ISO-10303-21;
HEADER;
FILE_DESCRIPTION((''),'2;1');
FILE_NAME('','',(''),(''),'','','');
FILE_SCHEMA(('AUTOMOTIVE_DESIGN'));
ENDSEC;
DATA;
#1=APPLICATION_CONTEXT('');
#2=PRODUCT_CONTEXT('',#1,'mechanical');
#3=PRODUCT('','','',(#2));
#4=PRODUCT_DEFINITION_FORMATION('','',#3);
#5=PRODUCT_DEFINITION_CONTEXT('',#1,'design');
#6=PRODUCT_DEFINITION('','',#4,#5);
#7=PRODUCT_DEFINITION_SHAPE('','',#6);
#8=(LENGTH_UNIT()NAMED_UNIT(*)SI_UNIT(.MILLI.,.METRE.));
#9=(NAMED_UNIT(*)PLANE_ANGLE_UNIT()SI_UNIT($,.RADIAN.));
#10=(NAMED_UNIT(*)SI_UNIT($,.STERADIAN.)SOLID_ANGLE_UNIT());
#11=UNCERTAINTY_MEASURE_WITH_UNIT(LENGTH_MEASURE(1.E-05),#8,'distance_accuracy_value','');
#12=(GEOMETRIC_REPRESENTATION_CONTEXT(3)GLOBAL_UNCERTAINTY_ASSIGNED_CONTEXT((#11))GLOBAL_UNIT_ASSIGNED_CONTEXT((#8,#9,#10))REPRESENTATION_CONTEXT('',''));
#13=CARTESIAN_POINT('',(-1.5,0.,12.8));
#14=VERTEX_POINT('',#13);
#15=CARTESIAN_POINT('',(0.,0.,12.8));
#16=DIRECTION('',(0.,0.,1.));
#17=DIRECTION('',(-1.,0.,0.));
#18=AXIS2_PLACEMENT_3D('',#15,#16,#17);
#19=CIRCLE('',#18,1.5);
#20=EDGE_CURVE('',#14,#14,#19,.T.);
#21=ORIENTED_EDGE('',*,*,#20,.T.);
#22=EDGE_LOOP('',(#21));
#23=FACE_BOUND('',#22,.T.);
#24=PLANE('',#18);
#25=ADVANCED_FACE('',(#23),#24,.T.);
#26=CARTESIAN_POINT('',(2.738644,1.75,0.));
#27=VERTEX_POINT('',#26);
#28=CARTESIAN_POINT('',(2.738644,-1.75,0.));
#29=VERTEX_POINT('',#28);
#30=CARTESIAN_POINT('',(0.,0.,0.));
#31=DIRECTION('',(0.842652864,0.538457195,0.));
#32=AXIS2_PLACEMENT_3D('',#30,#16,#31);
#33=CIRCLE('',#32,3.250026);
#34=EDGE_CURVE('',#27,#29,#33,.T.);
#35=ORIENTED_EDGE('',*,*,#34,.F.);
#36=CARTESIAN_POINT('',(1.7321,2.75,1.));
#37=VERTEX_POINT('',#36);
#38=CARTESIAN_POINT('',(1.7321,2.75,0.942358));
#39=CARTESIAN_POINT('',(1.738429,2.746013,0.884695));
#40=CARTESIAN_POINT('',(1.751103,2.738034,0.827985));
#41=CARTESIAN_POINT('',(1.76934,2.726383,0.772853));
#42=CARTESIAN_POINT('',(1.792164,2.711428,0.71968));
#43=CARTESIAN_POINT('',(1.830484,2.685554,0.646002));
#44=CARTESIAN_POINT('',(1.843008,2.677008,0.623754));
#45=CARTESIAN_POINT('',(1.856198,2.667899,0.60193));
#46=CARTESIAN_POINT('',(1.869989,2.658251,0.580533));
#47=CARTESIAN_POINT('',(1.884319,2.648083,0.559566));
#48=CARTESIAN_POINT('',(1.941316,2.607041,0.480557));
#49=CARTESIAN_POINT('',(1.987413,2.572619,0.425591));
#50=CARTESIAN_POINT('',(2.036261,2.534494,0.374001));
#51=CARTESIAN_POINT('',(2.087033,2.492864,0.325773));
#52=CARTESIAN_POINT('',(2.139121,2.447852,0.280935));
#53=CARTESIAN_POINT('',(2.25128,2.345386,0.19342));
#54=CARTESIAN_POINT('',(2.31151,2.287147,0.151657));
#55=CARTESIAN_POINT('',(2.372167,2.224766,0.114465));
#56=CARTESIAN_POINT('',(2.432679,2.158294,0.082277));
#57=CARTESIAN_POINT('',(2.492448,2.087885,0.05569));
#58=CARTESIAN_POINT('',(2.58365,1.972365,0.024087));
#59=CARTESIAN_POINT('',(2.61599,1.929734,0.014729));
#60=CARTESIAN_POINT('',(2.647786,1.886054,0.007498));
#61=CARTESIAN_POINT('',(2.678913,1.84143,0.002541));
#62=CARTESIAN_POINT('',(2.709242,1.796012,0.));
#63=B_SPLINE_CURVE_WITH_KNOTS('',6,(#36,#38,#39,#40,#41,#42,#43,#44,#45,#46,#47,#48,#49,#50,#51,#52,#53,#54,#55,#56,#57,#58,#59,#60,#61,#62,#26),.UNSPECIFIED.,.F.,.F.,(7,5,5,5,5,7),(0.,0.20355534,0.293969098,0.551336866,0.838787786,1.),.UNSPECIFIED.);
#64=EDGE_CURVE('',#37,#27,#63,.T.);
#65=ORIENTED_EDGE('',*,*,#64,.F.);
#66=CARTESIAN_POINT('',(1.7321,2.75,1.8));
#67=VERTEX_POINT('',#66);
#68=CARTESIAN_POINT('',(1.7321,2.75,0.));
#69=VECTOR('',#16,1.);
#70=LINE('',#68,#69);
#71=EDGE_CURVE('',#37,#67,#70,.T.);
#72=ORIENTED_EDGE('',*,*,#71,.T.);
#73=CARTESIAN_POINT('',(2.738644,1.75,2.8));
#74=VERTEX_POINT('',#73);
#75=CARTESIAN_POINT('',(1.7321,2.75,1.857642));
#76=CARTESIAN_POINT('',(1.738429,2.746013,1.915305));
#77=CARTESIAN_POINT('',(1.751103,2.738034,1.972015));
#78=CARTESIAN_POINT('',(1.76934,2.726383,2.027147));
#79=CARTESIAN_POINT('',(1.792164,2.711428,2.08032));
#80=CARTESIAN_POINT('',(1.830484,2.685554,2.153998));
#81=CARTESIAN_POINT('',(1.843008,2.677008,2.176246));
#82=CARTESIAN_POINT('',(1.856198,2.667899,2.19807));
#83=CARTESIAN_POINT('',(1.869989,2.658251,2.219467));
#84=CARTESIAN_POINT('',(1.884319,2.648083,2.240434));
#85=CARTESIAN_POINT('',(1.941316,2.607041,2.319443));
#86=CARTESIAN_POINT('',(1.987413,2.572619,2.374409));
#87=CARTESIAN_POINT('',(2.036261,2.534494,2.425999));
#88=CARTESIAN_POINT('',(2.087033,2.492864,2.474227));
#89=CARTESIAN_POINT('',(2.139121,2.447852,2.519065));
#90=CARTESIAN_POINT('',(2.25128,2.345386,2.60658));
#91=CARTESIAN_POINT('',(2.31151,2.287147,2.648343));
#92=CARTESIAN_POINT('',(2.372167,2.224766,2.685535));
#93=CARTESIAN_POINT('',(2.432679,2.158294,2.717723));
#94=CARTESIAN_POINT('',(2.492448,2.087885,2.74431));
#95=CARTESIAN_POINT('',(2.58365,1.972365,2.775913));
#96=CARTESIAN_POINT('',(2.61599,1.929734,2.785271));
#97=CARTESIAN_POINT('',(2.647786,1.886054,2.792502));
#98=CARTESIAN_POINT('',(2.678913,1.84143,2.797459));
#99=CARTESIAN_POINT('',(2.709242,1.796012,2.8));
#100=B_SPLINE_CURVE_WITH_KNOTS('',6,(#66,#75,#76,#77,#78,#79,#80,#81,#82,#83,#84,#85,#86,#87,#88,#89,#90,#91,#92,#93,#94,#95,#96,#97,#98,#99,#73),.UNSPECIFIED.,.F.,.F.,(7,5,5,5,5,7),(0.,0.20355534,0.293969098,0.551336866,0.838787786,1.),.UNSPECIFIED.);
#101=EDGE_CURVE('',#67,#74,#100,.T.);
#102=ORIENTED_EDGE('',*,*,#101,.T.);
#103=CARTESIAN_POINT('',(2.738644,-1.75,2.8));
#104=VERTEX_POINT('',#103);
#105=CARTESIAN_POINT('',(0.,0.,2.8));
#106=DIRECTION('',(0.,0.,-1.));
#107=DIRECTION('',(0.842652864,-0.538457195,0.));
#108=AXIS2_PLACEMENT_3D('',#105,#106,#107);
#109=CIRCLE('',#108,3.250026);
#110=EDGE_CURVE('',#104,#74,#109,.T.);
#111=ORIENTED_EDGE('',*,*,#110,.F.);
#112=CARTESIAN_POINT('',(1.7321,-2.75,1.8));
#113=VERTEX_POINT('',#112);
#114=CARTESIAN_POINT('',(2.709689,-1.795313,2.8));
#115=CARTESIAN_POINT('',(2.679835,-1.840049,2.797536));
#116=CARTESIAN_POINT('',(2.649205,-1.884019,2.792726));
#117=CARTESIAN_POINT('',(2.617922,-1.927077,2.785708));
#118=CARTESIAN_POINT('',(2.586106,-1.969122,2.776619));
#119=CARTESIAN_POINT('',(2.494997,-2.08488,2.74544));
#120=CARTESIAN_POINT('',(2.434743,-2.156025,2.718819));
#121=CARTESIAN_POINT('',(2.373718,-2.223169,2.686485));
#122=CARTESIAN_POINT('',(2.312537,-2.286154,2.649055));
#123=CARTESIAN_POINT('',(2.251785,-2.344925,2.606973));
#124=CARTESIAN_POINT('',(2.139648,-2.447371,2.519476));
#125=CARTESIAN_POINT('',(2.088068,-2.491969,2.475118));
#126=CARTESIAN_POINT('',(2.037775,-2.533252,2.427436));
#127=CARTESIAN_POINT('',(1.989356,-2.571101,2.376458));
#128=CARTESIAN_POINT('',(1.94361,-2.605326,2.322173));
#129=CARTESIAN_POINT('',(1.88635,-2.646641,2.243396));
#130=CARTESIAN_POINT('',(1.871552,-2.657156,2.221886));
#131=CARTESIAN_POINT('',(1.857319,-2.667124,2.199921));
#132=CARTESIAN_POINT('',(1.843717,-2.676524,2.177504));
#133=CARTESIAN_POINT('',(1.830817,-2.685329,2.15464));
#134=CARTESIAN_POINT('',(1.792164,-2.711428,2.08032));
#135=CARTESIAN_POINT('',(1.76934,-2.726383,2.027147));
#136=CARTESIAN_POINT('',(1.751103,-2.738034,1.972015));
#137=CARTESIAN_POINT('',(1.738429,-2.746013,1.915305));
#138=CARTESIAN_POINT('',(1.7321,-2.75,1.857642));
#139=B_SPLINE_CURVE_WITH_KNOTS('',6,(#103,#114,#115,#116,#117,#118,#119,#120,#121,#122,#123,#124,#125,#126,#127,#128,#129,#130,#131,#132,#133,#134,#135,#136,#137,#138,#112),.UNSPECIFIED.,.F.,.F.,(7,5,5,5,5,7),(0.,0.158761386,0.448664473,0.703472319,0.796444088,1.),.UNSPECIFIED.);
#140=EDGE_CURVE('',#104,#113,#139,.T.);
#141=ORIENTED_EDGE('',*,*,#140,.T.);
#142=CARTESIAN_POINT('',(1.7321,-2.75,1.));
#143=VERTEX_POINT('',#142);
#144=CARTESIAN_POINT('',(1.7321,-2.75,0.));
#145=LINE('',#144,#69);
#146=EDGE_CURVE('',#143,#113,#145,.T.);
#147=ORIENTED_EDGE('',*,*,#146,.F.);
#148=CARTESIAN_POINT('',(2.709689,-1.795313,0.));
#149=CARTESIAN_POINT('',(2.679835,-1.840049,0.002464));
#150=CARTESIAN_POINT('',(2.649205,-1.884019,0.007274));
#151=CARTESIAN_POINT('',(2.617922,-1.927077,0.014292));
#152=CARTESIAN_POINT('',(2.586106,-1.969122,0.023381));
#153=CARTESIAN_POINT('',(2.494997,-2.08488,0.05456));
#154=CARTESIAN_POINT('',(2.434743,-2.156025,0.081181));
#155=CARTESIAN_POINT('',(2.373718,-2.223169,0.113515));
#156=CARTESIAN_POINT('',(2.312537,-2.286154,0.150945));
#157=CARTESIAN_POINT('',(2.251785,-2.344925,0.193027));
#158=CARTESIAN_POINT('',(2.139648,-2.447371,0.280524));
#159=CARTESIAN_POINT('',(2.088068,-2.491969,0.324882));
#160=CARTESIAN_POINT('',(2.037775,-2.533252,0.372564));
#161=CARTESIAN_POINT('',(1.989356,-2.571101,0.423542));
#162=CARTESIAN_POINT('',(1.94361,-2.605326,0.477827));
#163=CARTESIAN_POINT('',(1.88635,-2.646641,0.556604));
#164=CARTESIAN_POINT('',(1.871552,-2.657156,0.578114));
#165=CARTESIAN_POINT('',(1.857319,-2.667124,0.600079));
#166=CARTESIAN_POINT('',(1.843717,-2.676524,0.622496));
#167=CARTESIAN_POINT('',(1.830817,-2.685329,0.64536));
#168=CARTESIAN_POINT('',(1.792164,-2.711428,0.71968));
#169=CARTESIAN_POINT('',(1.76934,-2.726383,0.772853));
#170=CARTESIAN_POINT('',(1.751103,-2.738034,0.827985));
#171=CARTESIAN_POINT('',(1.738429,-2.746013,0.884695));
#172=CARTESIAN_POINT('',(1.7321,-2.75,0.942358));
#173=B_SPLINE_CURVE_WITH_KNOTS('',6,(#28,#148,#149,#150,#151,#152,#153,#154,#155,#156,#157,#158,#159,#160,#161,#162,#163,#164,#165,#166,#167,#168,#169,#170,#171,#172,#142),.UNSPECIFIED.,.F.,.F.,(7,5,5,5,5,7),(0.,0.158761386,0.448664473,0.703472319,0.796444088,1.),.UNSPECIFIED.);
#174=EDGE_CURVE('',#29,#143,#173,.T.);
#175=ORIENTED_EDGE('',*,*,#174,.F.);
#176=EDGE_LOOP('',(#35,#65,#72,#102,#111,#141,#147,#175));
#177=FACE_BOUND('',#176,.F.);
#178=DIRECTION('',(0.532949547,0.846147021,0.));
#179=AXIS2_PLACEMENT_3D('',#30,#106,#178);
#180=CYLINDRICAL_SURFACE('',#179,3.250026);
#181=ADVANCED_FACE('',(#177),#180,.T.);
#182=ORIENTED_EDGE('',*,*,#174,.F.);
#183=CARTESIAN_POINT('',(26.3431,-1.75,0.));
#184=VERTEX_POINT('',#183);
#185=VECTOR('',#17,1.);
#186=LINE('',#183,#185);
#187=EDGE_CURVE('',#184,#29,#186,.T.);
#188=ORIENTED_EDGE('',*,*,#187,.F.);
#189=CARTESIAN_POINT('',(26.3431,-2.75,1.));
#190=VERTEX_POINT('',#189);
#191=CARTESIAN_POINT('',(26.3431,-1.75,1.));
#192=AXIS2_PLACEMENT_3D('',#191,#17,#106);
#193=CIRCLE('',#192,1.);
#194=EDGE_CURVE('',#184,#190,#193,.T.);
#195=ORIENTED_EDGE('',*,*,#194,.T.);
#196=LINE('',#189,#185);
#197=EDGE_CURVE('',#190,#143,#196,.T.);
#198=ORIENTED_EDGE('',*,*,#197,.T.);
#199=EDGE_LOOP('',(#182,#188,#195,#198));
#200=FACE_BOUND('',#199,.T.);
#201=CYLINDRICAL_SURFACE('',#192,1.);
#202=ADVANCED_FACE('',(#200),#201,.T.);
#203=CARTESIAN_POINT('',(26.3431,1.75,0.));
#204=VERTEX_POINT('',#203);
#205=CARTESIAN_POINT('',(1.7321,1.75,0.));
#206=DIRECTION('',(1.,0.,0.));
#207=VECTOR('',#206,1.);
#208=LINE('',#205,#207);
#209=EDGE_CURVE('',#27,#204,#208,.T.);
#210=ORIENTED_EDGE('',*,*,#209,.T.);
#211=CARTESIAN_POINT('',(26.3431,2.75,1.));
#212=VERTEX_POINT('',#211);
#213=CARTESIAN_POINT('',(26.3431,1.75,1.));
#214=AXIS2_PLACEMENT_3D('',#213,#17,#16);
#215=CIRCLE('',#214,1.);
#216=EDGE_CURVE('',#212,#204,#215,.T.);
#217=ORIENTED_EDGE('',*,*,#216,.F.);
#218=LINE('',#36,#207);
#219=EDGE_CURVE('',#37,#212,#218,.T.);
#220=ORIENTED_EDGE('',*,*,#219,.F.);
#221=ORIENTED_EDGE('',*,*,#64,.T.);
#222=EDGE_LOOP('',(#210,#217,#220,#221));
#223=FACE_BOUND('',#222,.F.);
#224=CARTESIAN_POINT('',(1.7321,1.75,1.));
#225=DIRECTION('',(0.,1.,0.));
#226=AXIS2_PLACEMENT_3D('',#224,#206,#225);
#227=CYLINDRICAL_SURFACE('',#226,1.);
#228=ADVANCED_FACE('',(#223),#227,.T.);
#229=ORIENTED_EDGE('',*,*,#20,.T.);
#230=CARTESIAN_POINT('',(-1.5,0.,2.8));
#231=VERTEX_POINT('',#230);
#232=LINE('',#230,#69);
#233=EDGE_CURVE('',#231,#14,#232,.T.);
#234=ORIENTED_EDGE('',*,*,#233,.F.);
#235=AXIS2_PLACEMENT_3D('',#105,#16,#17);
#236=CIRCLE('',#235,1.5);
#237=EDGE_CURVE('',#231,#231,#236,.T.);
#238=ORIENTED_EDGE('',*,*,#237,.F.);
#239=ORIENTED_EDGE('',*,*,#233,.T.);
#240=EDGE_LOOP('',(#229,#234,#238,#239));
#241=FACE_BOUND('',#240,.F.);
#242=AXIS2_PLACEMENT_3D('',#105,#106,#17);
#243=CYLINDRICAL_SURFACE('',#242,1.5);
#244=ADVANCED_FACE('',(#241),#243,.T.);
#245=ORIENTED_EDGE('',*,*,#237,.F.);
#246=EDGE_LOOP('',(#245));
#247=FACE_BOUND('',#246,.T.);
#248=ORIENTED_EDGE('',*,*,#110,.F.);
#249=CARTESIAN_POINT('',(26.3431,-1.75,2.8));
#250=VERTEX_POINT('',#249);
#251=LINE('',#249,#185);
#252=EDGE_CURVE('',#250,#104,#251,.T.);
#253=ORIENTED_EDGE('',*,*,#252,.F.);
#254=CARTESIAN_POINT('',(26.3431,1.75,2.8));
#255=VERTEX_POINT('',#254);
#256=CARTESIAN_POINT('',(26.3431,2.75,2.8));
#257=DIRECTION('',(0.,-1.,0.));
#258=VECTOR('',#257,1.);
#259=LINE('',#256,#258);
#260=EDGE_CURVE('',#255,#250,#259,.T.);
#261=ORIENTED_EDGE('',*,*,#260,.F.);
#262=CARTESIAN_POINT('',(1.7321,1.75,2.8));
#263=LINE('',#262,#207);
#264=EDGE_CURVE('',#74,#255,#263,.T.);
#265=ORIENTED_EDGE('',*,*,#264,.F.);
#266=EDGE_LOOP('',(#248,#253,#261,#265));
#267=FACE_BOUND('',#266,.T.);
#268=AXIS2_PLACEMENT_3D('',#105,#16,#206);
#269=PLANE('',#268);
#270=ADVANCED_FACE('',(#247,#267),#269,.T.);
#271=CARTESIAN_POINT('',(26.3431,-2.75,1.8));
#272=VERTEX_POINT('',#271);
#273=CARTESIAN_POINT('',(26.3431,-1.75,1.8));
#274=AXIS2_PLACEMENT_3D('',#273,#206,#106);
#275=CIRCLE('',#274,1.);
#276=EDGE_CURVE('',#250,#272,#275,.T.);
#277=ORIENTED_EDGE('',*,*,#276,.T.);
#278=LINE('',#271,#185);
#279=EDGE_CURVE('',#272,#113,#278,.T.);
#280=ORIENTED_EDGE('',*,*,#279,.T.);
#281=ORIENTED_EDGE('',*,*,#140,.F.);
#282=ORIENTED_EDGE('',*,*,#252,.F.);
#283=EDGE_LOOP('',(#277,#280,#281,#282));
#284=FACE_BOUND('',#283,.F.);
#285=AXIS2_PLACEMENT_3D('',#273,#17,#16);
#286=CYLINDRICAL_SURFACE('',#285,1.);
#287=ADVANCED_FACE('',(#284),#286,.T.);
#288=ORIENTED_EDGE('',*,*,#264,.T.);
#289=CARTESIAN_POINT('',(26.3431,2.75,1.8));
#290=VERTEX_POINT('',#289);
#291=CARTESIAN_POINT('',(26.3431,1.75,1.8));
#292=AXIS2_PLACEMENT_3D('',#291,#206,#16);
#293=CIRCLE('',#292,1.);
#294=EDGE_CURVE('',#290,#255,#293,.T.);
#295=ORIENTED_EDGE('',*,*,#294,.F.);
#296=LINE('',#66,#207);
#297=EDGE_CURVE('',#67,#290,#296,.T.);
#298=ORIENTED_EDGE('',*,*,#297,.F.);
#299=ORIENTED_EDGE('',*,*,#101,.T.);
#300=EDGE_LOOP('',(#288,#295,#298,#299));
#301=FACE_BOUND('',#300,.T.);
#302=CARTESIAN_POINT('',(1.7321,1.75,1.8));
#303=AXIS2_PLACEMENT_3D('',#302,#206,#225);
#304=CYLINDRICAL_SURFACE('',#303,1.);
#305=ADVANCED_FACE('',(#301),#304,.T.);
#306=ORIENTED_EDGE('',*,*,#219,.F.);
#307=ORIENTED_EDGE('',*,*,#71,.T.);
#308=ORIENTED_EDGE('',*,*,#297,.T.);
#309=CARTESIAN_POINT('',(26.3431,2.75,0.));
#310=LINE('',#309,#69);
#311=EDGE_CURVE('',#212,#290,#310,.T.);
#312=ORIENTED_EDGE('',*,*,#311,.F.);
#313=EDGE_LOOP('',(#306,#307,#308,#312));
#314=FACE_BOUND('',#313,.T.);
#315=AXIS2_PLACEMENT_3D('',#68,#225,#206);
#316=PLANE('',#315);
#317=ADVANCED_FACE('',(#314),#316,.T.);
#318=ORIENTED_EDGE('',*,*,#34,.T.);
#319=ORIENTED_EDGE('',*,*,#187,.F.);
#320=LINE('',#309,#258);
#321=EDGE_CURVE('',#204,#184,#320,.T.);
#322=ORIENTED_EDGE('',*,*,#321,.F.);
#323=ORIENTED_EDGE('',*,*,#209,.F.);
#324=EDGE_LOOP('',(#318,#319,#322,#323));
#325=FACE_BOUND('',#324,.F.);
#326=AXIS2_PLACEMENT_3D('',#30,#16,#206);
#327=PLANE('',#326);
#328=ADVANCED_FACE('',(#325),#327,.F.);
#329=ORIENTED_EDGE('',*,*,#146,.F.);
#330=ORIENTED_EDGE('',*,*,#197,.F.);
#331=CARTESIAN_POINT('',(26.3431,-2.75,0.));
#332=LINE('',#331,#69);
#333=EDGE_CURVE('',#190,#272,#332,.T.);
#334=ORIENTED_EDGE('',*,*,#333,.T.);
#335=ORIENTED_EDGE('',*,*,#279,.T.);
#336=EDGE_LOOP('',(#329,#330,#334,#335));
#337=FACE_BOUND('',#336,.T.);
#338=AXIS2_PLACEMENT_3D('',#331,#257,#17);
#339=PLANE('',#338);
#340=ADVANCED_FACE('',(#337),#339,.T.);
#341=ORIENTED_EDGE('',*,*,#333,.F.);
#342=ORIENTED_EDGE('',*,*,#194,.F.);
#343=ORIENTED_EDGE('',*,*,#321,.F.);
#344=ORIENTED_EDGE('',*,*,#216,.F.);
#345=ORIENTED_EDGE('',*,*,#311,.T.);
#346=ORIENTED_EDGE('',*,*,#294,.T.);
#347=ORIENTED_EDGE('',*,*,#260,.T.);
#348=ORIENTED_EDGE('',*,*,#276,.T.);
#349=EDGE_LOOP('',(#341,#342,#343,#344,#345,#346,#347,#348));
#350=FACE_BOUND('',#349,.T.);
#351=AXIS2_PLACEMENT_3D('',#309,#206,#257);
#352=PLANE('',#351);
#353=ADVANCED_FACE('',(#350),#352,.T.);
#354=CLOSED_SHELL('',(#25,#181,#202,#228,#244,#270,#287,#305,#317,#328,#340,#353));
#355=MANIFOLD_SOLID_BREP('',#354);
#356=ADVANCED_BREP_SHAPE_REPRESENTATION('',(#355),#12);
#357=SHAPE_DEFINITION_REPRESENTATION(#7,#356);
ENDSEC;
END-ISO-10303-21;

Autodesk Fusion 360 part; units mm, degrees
sketch "Sketch1" plane through (0, 0, 0) normal (0, 0, 1) x (1, 0, 0)
  line L0 (1.7321, 2.75) -> (26.3431, 2.75)
  line L1 (26.3431, 2.75) -> (26.3431, -2.75)
  line L2 (26.3431, -2.75) -> (1.7321, -2.75)
  arc A0 (1.7321, 2.75) -> (1.7321, -2.75) centre (0, 0) ccw
  dimension "d1" = 6.5
  dimension "d2" = 5.5
  dimension "d3" = 24.611
  dimension "d4" = 5.5
sketch "Sketch2" plane through (0, 0, 0) normal (0, 0, 1) x (1, 0, 0)
sketch "Sketch3" plane through (0, 0, 0) normal (0, 0, 1) x (1, 0, 0)
extrude "Extrude1" add sketch "Sketch1" along normal blind 2.8
sketch "Sketch4" plane through (0, 0, 2.8) normal (0, 0, 1) x (-1, 0, 0)
  line L0 (-26.3431, -2.75) -> (-1.7321, -2.75)
  arc A0 (-1.7321, -2.75) -> (-1.7321, 2.75) centre (0, 0) ccw
  line L1 (-1.7321, 2.75) -> (-26.3431, 2.75)
  line L2 (-26.3431, 2.75) -> (-26.3431, -2.75)
  circle A1 centre (0, 0) radius 1.5
  dimension "d7" = 3
extrude "Extrude2" add sketch "Sketch4" along normal blind 10 contours A1
fillet "Fillet1" radius 1 4 edges at (14.0376, -2.75, 2.8) (14.0376, 2.75, 2.8) (14.0376, 2.75, 0) (14.0376, -2.75, 0)
